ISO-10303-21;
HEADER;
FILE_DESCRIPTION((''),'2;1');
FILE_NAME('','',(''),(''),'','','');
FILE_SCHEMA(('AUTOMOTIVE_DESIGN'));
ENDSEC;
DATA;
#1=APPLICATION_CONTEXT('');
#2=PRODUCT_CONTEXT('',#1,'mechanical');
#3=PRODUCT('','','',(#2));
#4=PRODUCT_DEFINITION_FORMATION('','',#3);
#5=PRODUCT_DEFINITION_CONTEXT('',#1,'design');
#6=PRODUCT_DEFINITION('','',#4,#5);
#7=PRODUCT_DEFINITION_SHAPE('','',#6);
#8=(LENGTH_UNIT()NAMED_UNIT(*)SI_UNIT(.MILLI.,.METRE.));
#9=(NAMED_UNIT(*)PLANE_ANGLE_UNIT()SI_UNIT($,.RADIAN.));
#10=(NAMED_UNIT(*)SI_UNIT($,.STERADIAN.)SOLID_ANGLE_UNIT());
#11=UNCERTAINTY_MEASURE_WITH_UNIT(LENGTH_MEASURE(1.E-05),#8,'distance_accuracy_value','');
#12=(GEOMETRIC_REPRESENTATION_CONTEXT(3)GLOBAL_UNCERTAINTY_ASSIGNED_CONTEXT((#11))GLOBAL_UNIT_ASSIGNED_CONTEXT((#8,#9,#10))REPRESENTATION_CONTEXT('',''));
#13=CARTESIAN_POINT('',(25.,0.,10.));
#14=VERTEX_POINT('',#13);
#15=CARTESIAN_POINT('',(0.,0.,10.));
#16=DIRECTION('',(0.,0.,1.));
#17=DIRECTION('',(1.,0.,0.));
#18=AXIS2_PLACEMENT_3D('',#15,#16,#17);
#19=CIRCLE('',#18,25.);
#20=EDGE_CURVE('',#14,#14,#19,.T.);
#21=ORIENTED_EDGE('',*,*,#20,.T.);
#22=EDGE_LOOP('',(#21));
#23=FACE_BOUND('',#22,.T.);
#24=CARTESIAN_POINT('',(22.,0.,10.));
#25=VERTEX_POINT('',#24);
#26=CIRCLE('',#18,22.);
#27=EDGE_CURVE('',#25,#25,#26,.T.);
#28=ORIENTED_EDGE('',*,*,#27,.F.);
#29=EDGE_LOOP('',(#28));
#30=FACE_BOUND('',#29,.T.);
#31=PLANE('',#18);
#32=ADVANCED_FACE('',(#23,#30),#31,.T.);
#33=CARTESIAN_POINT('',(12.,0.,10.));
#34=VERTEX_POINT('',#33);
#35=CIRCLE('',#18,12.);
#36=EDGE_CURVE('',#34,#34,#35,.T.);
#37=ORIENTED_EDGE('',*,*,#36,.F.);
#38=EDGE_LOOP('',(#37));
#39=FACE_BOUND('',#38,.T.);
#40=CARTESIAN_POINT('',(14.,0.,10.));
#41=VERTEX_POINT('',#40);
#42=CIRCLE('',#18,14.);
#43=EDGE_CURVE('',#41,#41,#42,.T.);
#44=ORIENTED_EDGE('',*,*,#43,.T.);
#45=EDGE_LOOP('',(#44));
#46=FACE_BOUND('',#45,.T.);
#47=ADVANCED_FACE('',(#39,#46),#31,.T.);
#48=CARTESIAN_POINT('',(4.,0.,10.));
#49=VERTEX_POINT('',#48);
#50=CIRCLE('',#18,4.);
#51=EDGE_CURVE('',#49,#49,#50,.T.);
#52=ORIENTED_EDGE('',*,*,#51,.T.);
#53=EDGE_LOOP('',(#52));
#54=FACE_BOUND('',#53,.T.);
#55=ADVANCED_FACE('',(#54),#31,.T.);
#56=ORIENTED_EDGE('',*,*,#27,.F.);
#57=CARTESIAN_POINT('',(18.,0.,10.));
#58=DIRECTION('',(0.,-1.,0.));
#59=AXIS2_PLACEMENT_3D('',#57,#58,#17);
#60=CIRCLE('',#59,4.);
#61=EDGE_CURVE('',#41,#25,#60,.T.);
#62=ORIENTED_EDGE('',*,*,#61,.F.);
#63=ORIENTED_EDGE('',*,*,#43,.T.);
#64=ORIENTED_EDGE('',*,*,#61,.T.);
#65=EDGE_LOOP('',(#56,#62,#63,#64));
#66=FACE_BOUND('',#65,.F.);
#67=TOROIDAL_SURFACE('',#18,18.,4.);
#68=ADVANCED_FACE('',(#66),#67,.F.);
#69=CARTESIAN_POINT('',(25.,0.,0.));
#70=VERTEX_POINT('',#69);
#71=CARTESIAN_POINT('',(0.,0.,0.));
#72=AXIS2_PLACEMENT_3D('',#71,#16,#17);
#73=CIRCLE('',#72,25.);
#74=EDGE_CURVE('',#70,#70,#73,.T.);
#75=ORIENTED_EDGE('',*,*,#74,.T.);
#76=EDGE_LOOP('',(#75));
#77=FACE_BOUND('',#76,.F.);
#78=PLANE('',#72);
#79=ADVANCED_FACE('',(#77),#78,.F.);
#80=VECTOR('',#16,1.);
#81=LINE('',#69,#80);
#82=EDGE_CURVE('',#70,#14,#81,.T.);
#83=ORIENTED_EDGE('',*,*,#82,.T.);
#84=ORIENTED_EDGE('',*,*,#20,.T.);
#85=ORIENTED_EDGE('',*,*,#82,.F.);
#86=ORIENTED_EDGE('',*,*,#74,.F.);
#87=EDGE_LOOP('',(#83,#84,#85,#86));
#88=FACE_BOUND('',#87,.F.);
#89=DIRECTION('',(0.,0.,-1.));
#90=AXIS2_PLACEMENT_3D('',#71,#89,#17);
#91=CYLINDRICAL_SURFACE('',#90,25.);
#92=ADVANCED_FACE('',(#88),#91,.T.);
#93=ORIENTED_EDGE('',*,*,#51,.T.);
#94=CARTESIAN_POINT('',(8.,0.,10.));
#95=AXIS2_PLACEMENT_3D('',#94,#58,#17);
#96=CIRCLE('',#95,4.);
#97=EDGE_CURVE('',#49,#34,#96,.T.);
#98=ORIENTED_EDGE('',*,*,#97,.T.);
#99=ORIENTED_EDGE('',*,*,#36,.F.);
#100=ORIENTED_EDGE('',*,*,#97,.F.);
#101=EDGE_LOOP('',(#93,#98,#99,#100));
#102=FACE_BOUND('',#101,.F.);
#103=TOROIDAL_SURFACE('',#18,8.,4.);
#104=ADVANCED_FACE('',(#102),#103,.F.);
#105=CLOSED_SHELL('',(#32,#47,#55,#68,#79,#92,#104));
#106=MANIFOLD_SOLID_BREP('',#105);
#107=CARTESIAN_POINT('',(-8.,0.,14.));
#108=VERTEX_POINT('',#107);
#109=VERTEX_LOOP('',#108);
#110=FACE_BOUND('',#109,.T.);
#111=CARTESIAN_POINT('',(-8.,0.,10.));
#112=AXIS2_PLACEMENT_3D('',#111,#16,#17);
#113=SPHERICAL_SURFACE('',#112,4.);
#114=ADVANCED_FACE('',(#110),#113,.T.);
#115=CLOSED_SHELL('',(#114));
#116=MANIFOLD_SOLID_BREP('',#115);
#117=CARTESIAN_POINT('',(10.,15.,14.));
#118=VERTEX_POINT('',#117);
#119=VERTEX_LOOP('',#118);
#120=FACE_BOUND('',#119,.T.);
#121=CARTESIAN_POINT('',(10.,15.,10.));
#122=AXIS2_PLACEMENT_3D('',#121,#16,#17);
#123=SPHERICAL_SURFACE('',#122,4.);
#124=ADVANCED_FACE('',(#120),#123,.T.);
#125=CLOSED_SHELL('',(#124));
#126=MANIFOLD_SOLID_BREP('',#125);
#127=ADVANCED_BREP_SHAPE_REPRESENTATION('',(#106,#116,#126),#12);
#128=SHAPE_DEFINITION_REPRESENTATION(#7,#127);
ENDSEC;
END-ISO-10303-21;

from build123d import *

# Parameters (mm, degrees)
TORUS001_R     = 4
TORUS_R        = 4
CYLINDER_R     = 25
CYLINDER_DEPTH = 10


with BuildPart() as rail_externo:
    # Torus001 → Torus001 (revolve)
    with BuildSketch(Plane.XZ):
        with Locations((18, 0)):
            Circle(TORUS001_R)
    revolve(axis=Axis((0, 0, 0), (0, 0, 1)))


with BuildPart() as railes:
    # Torus → Torus (revolve)
    with BuildSketch(Plane.XZ):
        with Locations((8, 0)):
            Circle(TORUS_R)
    revolve(axis=Axis((0, 0, 0), (0, 0, 1)))

    # Fusion: union rail_externo
    add(rail_externo.part)


with BuildPart() as railes_1:
    # Fusion placement: moved
    add(railes.part.moved(Location((0, 0, 10))))


with BuildPart() as porta_railes:
    # Cylinder → Cylinder (new body)
    with BuildSketch(Plane.XY):
        Circle(CYLINDER_R)
    extrude(amount=CYLINDER_DEPTH)

    # Cut: cut railes
    add(railes_1.part, mode=Mode.SUBTRACT)


with BuildPart() as sphere:
    # Sphere → Sphere (revolve)
    with BuildSketch(Plane(origin=(-8, 0, 10), x_dir=(1, 0, 0), z_dir=(0, -1, 0))):
        with BuildLine():
            ThreePointArc((0, -4), (4, 0), (0, 4))
            Line((0, 4), (0, -4))
        make_face()
    revolve(axis=Axis((-8, 0, 10), (0, 0, 1)))


with BuildPart() as sphere001:
    # Sphere001 → Sphere001 (revolve)
    with BuildSketch(Plane(origin=(10, 15, 10), x_dir=(1, 0, 0), z_dir=(0, -1, 0))):
        with BuildLine():
            ThreePointArc((0, -4), (4, 0), (0, 4))
            Line((0, 4), (0, -4))
        make_face()
    revolve(axis=Axis((10, 15, 10), (0, 0, 1)))


solid = Compound([porta_railes.part, sphere.part, sphere001.part])
